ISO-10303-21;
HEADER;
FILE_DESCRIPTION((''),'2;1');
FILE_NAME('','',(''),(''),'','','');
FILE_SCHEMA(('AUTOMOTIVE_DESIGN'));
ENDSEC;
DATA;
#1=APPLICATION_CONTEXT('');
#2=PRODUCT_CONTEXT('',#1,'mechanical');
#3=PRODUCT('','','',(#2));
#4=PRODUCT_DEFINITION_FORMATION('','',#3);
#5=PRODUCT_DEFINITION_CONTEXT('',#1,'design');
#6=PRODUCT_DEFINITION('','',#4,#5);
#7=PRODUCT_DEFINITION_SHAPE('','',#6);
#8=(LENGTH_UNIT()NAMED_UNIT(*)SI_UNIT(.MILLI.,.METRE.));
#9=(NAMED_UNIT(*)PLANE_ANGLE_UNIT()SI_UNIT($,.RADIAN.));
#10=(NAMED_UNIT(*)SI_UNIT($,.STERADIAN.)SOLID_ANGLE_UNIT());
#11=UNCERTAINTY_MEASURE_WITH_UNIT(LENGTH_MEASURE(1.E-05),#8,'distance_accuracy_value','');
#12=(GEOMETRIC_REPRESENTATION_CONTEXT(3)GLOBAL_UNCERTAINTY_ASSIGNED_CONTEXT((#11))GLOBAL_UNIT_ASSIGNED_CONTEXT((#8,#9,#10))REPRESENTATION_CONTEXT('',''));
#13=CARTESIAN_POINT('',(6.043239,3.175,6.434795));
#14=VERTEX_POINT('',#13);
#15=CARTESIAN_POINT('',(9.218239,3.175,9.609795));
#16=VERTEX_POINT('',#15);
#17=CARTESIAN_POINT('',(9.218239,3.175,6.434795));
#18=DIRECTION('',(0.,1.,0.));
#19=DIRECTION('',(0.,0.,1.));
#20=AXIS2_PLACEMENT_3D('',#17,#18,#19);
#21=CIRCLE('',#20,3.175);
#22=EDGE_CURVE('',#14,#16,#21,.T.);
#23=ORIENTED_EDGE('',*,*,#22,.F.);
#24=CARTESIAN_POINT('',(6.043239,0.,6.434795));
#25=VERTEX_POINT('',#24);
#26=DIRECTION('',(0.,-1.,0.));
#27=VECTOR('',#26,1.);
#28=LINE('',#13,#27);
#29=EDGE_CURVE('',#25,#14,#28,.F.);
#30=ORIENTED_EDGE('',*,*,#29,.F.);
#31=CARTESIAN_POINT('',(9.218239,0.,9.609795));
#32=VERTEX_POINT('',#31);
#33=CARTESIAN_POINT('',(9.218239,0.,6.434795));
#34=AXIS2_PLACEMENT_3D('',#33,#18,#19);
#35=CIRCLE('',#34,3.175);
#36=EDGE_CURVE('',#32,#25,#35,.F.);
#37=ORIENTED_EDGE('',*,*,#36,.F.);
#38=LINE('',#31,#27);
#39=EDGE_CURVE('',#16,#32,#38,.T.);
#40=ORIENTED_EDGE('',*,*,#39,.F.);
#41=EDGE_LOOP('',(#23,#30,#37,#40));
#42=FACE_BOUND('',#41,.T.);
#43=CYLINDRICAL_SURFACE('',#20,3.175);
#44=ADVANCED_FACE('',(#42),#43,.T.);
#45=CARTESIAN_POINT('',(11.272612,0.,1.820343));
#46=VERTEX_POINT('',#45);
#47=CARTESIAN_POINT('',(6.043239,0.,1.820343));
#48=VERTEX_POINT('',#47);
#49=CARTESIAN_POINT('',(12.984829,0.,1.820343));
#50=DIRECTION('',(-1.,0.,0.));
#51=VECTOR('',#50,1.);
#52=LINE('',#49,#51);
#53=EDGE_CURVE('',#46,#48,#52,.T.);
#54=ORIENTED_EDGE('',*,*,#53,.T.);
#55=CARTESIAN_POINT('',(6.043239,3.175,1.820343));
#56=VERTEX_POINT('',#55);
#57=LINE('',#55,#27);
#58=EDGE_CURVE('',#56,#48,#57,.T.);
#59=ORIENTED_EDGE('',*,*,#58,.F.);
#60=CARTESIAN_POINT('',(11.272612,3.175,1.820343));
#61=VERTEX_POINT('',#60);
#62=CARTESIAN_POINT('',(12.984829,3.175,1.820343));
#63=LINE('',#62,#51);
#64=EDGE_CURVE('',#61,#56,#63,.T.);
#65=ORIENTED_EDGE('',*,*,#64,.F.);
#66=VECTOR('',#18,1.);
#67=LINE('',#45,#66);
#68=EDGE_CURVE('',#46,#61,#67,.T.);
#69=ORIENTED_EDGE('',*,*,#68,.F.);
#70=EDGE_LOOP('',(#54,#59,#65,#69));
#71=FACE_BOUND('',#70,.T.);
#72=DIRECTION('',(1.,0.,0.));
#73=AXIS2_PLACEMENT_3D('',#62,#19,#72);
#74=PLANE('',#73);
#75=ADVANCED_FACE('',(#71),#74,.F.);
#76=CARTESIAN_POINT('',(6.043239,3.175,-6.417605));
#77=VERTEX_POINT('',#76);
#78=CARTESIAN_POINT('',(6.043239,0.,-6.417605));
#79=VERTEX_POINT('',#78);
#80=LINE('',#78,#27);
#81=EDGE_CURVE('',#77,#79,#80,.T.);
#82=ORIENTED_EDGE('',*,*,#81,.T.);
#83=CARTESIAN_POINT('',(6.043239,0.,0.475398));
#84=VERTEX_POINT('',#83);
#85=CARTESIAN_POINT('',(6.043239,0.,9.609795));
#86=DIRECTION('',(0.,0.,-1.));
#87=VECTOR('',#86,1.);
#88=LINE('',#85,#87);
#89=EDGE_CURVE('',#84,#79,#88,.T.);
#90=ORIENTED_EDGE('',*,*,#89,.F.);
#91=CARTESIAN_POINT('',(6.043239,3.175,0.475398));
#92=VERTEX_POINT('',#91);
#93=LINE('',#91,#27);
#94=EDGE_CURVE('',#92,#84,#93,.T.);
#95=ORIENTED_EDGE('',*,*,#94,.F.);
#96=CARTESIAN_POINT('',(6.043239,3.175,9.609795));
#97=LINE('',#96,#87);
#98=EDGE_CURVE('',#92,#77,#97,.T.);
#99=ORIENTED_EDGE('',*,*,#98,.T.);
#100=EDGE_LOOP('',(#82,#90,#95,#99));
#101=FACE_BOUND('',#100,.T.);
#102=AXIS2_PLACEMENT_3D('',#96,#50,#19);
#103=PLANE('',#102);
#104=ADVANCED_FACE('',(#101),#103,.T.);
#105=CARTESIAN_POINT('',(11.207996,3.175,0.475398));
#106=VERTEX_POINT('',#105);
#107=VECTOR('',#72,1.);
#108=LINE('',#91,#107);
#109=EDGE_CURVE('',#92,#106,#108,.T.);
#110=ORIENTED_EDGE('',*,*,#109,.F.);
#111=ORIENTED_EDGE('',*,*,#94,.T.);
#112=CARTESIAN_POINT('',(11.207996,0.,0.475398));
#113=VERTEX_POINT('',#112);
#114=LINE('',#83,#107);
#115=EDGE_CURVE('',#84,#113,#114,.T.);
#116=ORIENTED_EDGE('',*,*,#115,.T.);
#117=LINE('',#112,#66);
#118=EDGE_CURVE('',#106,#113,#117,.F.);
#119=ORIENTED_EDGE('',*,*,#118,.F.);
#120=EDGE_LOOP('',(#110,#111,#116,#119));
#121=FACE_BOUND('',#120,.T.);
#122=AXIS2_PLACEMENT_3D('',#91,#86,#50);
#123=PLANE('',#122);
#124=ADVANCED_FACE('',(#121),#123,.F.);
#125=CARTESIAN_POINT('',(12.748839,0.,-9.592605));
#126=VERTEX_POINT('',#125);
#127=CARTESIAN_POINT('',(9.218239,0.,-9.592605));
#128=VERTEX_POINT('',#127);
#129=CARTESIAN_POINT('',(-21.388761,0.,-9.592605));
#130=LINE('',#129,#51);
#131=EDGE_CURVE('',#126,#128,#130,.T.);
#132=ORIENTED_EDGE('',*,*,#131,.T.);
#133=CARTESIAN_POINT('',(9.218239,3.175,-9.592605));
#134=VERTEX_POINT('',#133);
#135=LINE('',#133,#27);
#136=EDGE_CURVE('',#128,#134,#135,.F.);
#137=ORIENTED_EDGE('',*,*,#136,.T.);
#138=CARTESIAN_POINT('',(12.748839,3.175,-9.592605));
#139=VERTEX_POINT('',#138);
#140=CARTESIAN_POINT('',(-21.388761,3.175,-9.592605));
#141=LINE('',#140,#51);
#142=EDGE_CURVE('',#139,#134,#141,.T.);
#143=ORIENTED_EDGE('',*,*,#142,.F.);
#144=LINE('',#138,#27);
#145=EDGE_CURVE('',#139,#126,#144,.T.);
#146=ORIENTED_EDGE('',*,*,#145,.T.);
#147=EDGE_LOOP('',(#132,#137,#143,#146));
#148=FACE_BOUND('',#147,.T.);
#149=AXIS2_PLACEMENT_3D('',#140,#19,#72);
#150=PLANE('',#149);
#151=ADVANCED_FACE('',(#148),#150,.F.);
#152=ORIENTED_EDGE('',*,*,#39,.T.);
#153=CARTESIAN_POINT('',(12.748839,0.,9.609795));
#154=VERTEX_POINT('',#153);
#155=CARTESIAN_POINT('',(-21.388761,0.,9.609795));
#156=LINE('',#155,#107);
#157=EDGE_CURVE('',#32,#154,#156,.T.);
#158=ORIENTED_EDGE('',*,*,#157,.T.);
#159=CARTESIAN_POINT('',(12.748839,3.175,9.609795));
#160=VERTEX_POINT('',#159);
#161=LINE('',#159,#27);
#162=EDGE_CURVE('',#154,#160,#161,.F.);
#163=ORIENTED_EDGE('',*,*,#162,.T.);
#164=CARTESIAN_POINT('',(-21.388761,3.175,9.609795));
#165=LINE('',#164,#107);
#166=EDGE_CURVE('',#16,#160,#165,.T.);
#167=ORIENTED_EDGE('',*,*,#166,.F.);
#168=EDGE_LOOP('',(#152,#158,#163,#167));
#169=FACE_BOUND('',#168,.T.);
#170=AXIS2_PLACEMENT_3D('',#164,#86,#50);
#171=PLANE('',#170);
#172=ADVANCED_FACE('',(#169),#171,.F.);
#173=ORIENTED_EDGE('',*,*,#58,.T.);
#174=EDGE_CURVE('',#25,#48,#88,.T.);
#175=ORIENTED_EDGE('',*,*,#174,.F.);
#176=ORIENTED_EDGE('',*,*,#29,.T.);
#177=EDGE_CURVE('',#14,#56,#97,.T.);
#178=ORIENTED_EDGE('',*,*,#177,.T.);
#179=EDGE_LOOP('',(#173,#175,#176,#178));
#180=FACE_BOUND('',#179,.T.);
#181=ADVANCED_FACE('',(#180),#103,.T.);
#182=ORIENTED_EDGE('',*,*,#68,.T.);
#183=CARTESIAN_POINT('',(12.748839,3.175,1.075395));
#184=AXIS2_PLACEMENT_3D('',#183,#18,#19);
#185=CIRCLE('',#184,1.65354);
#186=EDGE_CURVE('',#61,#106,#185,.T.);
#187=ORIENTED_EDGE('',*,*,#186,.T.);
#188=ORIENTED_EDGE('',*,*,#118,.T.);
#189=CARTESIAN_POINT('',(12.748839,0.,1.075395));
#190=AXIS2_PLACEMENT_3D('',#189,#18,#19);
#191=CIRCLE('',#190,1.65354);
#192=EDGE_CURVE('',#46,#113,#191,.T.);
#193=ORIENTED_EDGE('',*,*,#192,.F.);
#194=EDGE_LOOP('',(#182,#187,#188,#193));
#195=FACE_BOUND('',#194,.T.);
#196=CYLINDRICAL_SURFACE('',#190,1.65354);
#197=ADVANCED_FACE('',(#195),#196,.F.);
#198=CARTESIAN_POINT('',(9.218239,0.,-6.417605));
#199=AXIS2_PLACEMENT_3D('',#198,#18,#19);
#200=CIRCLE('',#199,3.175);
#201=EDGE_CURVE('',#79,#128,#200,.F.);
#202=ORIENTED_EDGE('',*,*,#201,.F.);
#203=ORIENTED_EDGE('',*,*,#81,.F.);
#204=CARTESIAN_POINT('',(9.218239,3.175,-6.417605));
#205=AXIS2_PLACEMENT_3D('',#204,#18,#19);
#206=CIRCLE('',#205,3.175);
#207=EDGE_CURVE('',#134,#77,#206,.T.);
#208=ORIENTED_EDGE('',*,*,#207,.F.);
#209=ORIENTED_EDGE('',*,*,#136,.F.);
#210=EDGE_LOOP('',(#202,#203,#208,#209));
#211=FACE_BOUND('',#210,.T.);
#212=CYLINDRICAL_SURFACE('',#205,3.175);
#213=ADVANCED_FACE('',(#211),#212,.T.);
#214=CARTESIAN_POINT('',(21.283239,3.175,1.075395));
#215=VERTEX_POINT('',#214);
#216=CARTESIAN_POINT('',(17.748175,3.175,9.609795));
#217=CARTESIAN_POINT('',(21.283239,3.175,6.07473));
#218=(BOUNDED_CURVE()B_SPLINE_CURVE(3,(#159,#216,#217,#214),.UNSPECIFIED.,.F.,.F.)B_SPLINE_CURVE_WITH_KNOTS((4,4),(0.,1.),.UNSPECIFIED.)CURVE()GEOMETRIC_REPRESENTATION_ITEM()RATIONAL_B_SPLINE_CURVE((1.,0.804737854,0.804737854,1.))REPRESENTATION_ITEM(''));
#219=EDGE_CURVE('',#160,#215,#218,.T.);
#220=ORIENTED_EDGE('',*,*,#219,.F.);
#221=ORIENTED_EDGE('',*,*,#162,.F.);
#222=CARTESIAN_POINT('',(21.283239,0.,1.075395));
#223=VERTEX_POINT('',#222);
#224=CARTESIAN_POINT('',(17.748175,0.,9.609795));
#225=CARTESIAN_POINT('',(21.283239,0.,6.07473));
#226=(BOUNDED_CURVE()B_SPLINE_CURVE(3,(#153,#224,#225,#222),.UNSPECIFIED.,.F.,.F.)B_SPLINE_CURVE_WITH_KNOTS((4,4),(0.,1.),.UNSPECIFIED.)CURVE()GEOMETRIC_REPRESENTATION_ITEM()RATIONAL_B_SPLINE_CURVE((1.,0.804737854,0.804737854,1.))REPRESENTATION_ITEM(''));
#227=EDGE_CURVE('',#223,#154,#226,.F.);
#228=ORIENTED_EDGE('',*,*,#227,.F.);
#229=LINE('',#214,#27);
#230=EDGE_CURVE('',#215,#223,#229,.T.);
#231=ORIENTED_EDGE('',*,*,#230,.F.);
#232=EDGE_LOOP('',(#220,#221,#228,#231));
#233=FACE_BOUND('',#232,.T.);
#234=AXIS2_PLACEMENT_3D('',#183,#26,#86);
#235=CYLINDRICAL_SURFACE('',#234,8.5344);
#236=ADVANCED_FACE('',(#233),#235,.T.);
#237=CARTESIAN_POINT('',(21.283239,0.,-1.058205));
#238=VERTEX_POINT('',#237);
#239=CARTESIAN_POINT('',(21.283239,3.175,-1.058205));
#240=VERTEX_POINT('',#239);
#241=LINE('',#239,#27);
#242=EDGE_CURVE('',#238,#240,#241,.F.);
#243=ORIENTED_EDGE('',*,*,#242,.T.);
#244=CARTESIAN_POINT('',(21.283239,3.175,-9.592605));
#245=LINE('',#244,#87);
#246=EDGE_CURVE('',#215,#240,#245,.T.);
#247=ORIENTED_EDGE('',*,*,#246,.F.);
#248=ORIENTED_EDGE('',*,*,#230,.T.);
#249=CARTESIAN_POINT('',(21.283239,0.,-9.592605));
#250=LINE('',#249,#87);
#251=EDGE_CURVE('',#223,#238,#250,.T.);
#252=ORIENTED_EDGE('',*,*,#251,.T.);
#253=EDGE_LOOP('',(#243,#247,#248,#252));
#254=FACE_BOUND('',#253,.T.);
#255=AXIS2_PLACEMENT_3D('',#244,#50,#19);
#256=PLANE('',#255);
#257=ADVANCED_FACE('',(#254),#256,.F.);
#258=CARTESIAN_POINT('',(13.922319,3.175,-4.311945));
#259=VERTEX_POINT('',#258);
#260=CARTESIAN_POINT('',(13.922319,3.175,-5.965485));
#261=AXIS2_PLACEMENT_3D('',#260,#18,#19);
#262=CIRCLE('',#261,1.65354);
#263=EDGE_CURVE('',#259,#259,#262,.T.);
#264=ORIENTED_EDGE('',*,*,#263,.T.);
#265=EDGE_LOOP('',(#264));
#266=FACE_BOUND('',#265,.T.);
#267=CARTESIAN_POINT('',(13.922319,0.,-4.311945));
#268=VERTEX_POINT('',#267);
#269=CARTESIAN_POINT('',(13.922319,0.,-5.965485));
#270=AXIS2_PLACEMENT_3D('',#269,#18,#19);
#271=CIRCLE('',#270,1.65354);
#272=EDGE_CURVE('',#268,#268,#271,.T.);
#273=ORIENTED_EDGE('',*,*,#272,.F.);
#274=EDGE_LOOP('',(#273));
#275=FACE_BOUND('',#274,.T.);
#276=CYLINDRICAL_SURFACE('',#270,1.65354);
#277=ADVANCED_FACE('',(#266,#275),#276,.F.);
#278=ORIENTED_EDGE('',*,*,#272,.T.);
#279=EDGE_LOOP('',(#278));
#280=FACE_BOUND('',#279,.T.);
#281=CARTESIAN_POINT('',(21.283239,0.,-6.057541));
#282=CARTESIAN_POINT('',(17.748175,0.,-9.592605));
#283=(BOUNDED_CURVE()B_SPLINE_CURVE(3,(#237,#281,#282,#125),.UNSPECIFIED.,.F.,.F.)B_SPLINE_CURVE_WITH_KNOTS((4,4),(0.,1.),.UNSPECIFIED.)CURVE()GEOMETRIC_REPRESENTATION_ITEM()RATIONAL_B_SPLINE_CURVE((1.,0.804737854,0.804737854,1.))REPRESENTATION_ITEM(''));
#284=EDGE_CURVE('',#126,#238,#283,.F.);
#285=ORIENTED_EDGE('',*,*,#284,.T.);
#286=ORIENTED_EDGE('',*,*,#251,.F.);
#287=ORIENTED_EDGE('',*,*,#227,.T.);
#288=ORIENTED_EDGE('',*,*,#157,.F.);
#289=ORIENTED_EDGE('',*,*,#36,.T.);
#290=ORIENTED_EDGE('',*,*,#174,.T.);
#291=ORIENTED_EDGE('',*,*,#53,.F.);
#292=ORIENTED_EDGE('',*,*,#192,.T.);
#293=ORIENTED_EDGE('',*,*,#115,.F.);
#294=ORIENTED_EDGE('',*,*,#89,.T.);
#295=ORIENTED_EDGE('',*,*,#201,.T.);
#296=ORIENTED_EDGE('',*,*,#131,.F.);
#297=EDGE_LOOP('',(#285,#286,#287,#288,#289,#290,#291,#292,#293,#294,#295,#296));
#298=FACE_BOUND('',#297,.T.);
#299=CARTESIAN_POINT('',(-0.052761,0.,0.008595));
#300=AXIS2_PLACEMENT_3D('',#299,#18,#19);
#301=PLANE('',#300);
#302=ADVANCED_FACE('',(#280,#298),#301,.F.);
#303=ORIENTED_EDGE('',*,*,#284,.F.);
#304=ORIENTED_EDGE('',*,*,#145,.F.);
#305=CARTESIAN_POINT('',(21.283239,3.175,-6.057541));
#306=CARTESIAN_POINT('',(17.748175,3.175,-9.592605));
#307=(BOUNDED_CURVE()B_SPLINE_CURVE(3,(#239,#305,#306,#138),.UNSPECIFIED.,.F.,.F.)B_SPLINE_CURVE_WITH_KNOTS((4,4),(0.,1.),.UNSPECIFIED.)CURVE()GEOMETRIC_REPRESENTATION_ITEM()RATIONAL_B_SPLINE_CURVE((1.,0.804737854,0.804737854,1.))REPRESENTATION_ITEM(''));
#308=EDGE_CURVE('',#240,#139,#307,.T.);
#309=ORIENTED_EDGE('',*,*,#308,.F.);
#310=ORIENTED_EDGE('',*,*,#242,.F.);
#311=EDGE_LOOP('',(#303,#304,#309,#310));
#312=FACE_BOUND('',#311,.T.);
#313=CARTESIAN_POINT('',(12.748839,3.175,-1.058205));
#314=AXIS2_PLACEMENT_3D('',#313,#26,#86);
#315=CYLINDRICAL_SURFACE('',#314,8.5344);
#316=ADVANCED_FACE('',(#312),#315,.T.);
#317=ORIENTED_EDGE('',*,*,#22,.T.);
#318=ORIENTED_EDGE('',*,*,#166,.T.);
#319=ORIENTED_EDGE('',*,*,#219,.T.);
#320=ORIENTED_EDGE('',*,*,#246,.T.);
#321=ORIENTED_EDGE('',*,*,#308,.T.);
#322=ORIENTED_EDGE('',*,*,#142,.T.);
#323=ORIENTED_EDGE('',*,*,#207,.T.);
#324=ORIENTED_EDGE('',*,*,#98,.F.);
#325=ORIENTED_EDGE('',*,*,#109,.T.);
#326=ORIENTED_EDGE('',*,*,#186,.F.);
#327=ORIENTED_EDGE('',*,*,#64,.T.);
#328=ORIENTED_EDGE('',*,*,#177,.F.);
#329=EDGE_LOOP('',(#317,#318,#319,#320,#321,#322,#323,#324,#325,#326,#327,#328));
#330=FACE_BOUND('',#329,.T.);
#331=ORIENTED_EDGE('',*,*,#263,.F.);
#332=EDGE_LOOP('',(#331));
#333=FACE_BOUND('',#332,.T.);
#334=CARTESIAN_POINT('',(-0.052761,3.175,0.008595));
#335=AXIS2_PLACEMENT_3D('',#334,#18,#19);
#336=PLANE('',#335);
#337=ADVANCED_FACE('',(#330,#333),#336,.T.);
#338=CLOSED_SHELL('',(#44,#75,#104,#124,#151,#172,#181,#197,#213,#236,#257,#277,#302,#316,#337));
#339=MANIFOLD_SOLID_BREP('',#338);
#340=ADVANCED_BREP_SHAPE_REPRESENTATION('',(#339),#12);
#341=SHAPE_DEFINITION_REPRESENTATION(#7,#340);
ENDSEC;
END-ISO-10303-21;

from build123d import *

# Parameters (mm, degrees)
SKETCH1_W           = 50.8
SKETCH1_H           = 22.86
BOSS_EXTRUDE1_DEPTH = 3.175
FILLET1_R           = 10.16
SKETCH3_R           = 1.9685
CUT_EXTRUDE1_DEPTH  = 29.033649869
FILLET3_R           = 10.16
SCALE1_SCALE_X      = 0.84
SCALE1_SCALE_Y      = 1
SCALE1_SCALE_Z      = 0.84
SKETCH4_W           = 27.432
SKETCH4_H           = 19.2024
CUT_EXTRUDE2_DEPTH  = 24.662372423
FILLET4_R           = 3.175
SKETCH5_W           = 6.941589501
SKETCH5_H           = 1.34494551
CUT_EXTRUDE3_DEPTH  = 24.567033234


with BuildPart() as part:
    # Sketch1 → Boss-Extrude1 (new body)
    with BuildSketch(Plane(origin=(0, 0, 0), x_dir=(1, 0, 0), z_dir=(0, 1, 0))):
        Rectangle(SKETCH1_W, SKETCH1_H)
    extrude(amount=BOSS_EXTRUDE1_DEPTH)

    # Fillet1
    fillet1_edges = [part.edges().sort_by_distance(p)[0] for p in [
        (25.4, 1.5875, 11.43),
        (-25.4, 1.5875, 11.43),
    ]]
    fillet(fillet1_edges, radius=FILLET1_R)

    # Sketch3 → Cut-Extrude1 (cut, through all)
    with BuildSketch(Plane(origin=(0, 3.175, 0), x_dir=(1, 0, 0), z_dir=(0, 1, 0))):
        with Locations(Location((15.24, -1.27, 0), (0, 0, 270))):
            Circle(SKETCH3_R)
        with Locations(Location((16.637, 7.112, 0), (0, 0, 270))):
            Circle(SKETCH3_R)
        with Locations(Location((-3.81, -1.27, 0), (0, 0, 270))):
            Circle(SKETCH3_R)
    extrude(amount=-CUT_EXTRUDE1_DEPTH, mode=Mode.SUBTRACT)

    # Fillet3
    fillet3_edges = [part.edges().sort_by_distance(p)[0] for p in [
        (-25.4, 1.5875, -11.43),
        (25.4, 1.5875, -11.43),
    ]]
    fillet(fillet3_edges, radius=FILLET3_R)


with BuildPart() as part_1:
    # Scale1: scaled about (-0.329754669, 1.5875, 0.053715693)
    add(part.part.scale((SCALE1_SCALE_X, SCALE1_SCALE_Y, SCALE1_SCALE_Z), about=(-0.329754669, 1.5875, 0.053715693)))

    # Sketch4 → Cut-Extrude2 (cut, through all)
    with BuildSketch(Plane(origin=(0, 0, 0), x_dir=(-1, 0, 0), z_dir=(0, -1, 0))):
        with Locations((7.672760747, -0.008594511)):
            Rectangle(SKETCH4_W, SKETCH4_H)
    extrude(amount=-CUT_EXTRUDE2_DEPTH, mode=Mode.SUBTRACT)

    # Fillet4
    fillet4_edges = [part_1.edges().sort_by_distance(p)[0] for p in [
        (6.043239253, 1.5875, 9.609794511),
        (6.043239253, 1.5875, -9.592605489),
    ]]
    fillet(fillet4_edges, radius=FILLET4_R)

    # Sketch5 → Cut-Extrude3 (cut, through all)
    with BuildSketch(Plane.XZ):
        with Locations((9.514034004, 1.147870629)):
            Rectangle(SKETCH5_W, SKETCH5_H)
    extrude(amount=-CUT_EXTRUDE3_DEPTH, mode=Mode.SUBTRACT)


solid = part_1.part
